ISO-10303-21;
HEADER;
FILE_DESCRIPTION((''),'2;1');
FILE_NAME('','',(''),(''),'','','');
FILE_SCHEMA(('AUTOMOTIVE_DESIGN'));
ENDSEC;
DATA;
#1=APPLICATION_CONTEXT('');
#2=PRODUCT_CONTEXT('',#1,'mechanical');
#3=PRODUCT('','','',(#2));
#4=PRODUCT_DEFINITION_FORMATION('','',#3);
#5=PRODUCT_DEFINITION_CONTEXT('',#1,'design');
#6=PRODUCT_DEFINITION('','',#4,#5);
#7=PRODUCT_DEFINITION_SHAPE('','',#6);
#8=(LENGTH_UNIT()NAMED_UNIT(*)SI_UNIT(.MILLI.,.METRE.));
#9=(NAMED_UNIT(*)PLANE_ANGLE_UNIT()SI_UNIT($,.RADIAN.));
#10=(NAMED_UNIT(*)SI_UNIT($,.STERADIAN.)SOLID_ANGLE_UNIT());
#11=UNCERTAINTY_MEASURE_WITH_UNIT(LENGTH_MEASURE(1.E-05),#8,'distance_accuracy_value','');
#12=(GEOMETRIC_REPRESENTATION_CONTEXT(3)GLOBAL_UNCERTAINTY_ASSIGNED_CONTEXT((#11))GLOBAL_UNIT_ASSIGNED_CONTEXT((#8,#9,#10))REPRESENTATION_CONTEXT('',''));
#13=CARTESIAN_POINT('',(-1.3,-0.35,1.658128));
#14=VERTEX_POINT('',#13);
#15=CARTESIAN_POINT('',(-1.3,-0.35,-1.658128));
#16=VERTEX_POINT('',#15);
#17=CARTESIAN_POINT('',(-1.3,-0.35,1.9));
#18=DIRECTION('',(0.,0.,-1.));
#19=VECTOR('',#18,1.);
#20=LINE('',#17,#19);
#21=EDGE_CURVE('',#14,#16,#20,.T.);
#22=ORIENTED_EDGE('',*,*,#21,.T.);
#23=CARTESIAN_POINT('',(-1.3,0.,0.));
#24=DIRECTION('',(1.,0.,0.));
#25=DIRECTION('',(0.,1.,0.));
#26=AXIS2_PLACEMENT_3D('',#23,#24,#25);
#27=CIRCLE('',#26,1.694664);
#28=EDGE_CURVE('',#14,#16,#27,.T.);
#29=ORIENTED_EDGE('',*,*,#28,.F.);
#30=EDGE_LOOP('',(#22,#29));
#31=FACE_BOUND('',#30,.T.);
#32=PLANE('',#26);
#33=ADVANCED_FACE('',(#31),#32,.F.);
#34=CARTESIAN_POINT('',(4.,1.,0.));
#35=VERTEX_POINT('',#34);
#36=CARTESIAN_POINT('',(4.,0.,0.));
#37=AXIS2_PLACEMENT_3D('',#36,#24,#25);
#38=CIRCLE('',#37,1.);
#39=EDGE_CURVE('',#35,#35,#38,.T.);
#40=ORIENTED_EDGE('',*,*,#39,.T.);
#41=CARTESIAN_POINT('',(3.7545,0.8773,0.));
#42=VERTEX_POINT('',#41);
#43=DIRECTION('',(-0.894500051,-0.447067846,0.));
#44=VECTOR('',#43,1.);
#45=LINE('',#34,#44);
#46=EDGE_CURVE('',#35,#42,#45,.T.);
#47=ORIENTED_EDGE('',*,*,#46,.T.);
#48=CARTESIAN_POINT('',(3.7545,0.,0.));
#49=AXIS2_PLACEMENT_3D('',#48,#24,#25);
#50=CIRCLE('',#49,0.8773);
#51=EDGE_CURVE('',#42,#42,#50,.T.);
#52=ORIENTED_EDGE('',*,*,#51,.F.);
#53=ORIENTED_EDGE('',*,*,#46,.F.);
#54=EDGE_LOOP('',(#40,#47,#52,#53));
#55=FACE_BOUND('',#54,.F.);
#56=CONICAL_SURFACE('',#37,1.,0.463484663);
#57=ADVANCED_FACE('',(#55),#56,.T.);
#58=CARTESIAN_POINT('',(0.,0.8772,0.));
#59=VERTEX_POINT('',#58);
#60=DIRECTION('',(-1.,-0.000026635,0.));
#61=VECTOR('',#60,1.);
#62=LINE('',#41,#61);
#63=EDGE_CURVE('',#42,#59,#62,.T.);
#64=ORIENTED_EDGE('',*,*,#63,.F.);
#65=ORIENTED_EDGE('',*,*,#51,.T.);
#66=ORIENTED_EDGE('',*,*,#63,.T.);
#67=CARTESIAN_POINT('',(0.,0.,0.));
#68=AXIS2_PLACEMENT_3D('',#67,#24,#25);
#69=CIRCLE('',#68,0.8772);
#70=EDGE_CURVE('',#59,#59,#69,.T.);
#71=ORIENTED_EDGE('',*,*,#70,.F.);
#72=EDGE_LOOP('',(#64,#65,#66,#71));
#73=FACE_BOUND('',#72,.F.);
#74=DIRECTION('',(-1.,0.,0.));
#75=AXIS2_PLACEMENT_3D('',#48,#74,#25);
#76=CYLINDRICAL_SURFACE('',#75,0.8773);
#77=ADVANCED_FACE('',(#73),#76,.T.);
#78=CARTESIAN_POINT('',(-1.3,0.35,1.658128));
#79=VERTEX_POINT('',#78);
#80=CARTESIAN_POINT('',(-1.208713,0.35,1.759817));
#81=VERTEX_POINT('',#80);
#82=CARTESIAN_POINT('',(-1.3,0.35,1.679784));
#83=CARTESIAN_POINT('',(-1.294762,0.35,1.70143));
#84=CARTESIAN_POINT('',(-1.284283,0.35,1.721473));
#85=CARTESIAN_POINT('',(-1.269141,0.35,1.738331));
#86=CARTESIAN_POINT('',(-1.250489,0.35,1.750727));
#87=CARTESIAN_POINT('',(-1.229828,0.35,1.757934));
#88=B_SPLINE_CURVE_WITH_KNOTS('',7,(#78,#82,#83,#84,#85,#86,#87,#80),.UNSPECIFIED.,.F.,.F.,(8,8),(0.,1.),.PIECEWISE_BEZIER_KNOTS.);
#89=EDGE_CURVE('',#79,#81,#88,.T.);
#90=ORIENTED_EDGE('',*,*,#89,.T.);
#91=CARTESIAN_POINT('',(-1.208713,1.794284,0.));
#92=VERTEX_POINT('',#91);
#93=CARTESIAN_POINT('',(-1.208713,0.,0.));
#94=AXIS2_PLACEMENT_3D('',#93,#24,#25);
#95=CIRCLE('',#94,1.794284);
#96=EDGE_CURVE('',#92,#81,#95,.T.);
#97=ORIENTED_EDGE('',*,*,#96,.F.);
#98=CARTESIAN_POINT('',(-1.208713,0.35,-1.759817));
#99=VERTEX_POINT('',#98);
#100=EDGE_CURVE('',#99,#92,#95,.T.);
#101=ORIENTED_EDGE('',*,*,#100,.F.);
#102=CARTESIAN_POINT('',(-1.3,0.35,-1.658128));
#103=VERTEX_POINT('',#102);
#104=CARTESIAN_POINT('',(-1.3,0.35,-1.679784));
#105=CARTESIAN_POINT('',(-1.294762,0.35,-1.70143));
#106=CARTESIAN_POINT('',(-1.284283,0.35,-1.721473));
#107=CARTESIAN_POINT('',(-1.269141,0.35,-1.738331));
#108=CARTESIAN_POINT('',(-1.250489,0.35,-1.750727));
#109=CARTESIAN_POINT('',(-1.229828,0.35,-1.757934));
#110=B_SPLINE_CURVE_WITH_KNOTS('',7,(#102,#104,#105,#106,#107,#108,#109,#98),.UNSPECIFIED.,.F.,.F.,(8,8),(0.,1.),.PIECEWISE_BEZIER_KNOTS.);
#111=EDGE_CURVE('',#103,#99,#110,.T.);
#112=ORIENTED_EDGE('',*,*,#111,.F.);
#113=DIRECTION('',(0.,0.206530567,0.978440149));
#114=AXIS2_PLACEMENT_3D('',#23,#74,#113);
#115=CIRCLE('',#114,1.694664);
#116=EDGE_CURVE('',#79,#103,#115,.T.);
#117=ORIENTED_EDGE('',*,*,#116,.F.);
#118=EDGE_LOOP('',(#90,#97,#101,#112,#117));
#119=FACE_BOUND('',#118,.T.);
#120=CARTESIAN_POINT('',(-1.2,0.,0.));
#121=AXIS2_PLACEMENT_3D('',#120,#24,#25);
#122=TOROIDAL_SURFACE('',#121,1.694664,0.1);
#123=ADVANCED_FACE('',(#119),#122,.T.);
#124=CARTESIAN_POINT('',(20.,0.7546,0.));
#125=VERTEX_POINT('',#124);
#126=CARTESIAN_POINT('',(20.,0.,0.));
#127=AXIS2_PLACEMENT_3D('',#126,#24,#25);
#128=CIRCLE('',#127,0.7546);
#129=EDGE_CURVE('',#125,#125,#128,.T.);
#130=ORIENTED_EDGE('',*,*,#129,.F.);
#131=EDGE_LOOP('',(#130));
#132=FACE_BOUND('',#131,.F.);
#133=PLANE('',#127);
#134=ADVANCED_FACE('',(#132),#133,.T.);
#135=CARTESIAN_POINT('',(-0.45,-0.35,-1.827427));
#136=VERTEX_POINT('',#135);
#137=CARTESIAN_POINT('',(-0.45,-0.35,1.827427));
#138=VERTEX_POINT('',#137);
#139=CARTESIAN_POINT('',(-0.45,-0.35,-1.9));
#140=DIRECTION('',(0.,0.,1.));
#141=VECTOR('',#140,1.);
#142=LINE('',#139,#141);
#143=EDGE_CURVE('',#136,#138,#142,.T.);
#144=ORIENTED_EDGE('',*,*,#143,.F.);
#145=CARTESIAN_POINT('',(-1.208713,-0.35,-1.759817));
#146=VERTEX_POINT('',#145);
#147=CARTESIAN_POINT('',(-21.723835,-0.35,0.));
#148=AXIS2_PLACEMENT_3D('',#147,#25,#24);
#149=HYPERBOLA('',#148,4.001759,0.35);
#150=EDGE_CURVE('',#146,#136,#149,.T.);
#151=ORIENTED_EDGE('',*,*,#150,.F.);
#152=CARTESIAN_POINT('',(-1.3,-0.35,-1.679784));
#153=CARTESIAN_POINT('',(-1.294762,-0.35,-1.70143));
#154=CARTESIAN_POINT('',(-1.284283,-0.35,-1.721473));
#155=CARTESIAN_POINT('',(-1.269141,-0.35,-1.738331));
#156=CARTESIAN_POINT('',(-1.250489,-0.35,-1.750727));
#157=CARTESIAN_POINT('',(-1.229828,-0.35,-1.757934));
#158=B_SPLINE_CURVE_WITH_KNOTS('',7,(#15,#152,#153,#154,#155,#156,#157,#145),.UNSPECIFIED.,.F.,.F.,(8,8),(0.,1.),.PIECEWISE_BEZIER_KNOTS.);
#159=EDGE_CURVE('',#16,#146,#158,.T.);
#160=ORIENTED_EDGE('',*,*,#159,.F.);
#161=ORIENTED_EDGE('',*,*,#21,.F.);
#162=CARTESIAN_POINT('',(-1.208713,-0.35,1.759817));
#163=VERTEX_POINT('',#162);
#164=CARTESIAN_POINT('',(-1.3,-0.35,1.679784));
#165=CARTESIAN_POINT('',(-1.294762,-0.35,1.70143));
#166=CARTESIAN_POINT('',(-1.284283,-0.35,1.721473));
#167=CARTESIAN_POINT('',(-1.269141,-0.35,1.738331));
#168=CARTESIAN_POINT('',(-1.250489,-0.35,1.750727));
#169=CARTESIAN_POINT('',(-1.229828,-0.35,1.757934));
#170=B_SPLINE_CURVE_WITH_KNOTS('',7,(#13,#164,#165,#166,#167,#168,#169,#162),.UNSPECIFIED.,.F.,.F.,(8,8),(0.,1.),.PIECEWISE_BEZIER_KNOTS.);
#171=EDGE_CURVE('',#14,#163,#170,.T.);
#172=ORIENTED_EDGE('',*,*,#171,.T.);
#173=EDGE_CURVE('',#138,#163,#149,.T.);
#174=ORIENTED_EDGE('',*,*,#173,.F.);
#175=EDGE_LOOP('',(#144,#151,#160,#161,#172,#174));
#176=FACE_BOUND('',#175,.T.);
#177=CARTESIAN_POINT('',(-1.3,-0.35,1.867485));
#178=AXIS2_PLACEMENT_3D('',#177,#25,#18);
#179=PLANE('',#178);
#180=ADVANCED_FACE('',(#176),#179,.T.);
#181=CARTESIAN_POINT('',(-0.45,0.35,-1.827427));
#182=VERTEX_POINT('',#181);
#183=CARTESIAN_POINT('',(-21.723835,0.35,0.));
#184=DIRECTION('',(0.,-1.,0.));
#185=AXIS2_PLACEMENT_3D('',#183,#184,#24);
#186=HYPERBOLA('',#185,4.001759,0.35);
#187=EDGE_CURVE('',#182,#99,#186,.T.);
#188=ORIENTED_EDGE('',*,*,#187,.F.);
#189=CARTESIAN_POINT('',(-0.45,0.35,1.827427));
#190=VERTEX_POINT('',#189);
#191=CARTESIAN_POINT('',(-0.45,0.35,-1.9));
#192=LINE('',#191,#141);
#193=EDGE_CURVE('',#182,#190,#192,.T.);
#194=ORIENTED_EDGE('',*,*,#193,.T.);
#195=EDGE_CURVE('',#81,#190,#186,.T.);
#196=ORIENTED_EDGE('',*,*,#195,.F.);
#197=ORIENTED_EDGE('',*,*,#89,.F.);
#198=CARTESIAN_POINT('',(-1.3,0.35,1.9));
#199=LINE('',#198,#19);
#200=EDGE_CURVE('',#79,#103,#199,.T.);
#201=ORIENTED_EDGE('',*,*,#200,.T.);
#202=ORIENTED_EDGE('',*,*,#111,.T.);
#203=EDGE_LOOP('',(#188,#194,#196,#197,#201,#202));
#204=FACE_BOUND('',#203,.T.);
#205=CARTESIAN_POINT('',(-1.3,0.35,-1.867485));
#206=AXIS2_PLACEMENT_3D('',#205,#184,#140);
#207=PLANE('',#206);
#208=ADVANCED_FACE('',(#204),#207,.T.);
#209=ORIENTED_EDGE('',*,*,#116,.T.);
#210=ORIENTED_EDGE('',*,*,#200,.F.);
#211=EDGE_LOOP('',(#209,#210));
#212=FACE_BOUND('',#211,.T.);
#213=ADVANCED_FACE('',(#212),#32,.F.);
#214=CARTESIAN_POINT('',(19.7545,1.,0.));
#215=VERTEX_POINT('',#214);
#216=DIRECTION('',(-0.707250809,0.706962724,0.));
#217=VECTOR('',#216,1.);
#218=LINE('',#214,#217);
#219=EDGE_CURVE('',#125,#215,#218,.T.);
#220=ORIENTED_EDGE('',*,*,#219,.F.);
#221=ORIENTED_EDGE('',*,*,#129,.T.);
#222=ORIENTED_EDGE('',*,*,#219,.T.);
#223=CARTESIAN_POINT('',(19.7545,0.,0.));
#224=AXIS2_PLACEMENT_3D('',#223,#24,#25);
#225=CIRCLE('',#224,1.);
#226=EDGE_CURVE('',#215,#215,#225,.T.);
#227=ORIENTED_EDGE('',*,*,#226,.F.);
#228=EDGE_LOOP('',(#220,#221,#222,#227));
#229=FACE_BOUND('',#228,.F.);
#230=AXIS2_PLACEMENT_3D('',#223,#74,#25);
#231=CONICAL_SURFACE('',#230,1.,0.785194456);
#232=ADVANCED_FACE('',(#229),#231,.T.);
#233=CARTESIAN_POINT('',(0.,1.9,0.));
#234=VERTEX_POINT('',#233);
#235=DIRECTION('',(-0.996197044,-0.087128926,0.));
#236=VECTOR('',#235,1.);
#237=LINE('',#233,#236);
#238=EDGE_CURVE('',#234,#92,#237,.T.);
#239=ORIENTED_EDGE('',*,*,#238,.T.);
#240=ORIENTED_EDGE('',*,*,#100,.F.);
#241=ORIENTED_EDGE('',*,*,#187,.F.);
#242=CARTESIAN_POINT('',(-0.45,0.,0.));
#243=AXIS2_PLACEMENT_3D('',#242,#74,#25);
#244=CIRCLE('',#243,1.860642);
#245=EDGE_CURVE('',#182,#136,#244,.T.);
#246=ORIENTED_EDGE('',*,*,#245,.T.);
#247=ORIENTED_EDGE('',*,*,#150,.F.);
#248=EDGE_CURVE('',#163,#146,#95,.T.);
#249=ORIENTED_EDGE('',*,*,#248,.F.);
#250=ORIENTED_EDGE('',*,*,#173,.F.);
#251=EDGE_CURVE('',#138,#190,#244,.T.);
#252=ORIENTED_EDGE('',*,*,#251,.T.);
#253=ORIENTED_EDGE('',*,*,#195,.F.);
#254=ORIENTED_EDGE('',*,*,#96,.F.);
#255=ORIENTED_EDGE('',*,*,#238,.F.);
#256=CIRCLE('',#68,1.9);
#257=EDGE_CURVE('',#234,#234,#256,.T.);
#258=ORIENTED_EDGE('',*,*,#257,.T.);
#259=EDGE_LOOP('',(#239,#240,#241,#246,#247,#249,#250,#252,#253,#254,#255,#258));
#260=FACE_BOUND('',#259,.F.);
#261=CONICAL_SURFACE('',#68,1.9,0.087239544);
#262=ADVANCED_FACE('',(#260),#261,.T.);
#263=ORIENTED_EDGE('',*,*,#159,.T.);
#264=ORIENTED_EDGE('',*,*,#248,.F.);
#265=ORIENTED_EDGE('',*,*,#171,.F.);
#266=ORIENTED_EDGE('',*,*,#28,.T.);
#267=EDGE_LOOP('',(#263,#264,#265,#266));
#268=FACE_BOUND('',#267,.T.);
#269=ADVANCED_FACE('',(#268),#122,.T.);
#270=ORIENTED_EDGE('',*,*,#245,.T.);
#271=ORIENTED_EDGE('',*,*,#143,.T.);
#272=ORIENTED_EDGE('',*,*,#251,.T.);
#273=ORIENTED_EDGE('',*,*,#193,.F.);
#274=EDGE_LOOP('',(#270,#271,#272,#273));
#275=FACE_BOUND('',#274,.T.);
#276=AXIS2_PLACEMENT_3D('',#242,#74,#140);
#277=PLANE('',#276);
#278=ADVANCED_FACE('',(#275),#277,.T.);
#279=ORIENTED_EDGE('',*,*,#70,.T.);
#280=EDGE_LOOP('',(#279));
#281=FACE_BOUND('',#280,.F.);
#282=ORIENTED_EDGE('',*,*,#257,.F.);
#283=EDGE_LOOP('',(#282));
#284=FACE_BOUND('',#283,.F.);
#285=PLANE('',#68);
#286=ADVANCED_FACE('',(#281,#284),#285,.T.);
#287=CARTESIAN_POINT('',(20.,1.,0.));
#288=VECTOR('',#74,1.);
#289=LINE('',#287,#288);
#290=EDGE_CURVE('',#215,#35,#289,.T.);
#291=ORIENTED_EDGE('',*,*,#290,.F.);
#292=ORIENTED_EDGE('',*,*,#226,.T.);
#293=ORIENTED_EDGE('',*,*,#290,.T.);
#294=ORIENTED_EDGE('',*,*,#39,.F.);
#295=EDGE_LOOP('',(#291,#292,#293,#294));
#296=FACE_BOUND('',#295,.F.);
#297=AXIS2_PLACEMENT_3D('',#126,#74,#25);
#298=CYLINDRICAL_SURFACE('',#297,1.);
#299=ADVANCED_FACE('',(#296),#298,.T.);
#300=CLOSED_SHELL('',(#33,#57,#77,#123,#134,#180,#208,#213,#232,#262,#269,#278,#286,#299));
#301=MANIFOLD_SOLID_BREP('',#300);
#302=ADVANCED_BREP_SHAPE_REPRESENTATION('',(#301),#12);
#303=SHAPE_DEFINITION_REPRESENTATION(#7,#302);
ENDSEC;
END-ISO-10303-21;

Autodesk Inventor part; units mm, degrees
ref_plane "YZ Plane" through (0, 0, 0) normal (1, 0, 0) x (0, 1, 0)
ref_plane "XZ Plane" through (0, 0, 0) normal (0, 1, 0) x (-1, 0, 0)
sketch "Esquisse1" plane through (0, 0, 0) normal (0, 0, 1) x (1, 0, 0)
  line L0 (-1.3, 0) -> (20, 0)
  line L1 (20, 0) -> (20, 1)
  line L2 (20, 1) -> (4, 1)
  line L3 (4, 1) -> (3.7545, 0.8773)
  line L4 (3.7545, 0.8773) -> (0, 0.8772)
  line L5 (0, 0.8772) -> (0, 1.9)
  line L6 (-5.56, 0) -> (24.26, 0) projected
  line L7 (0, -0.38) -> (0, 2.28) projected
  line L8 (-1.3, 0) -> (-1.3, 1.7863)
  line L9 (0, 1.9) -> (-1.3, 1.7863)
  line L10 (4, 1) -> (0, 1) construction
  dimension "d0" = 20
  dimension "d1" = 16
  dimension "d2" = 0.2455
  dimension "d3" = 1.3
  dimension "d4" = 2
  dimension "d5" = 1.7545
  dimension "d9" = 3.8
  dimension "d10" = 5
revolve "Corps" add sketch "Esquisse1" angle 360 about axis through (-1.3, 0, 0) along (1, 0, 0)
sketch "Esquisse2" plane through (-1.3, 0, 0) normal (-1, 0, 0) x (0, 0, 1)
  circle A0 centre (0, 0) radius 1.9 projected
  line L0 (0, 0) -> (0, 1.7863) projected
  line L1 (-1.9, 0.35) -> (1.9, 0.35)
  line L2 (1.9, 0.35) -> (1.9, -0.35)
  line L3 (1.9, -0.35) -> (-1.9, -0.35)
  line L4 (-1.9, -0.35) -> (-1.9, 0.35)
  line L5 (-1.9, 0) -> (1.9, 0) construction
  line L6 (0, 0.35) -> (0, -0.35) construction
  dimension "d11" = 0.7
  dimension "d12" = 3.8
fillet "Congé1" radius 0.1 1 edges at (-1.3, -1.7863, 0)
extrude "Rainure" cut sketch "Esquisse2" against normal blind 0.85 contours A0 L3 L1 | L2 L3 A0 | A0 L1 L2 | A0 L4 L1 | L3 L4 A0
thread "Filetage" size "M2x0.4" class "6g" standard "ISO Metric profile" length 16
chamfer "Chanfrein1" distance 0.2454 distance2 0.2455 1 edges at (20, -1, 0) measured on face at (20, 0.4265, -0.3778)
ref_plane "Work Plane1" through (30.1625, 0, 0) normal (0, 0, -1) x (1, 0, 0)
equation "\"d11\" = SBR"
equation "\"d12\" = KOD"
equation "\"d14\" = RR"
equation "\"d19\" = STI"
equation "\"d15\" = GEL"
equation "\"d17\" = -0.5 * SPD + 0.5 * GD"
equation "\"d0\" = NLG"
equation "\"d1\" = GEL"
equation "\"d3\" = KOH"
equation "\"d4\" = GD"
equation "\"d5\" = BDM"
equation "\"d9\" = KOD"
equation "\"d10\" = KEWI"
equation "\"GD\" = NND"
equation "\"NLG\" = 20"
equation "\"GEL\" = 16"
equation "\"KOD\" = 3.8"
equation "\"KOH\" = 1.3"
equation "\"GAL\" = 0.61345 * PTC"
equation "\"SPD\" = NND - 1.2269 * PTC"
equation "\"BDM\" = 1.7545"
equation "\"GUL\" = 0.61345 * PTC"
equation "\"RR\" = 0.1"
equation "\"SBR\" = 0.7"
equation "\"STI\" = 0.85"
equation "\"KEWI\" = 5deg"
equation "\"PTC\" = 0.4"
equation "\"THREADDIA\" = 2"
equation "\"TOA\" = 30deg"
equation "\"NND\" = 2"
equation "\"GD1\" = THREADDIA - 1.2269 * PTC"
properties part number "BS 4183 - M2 x 20" material "Acier, doux"
